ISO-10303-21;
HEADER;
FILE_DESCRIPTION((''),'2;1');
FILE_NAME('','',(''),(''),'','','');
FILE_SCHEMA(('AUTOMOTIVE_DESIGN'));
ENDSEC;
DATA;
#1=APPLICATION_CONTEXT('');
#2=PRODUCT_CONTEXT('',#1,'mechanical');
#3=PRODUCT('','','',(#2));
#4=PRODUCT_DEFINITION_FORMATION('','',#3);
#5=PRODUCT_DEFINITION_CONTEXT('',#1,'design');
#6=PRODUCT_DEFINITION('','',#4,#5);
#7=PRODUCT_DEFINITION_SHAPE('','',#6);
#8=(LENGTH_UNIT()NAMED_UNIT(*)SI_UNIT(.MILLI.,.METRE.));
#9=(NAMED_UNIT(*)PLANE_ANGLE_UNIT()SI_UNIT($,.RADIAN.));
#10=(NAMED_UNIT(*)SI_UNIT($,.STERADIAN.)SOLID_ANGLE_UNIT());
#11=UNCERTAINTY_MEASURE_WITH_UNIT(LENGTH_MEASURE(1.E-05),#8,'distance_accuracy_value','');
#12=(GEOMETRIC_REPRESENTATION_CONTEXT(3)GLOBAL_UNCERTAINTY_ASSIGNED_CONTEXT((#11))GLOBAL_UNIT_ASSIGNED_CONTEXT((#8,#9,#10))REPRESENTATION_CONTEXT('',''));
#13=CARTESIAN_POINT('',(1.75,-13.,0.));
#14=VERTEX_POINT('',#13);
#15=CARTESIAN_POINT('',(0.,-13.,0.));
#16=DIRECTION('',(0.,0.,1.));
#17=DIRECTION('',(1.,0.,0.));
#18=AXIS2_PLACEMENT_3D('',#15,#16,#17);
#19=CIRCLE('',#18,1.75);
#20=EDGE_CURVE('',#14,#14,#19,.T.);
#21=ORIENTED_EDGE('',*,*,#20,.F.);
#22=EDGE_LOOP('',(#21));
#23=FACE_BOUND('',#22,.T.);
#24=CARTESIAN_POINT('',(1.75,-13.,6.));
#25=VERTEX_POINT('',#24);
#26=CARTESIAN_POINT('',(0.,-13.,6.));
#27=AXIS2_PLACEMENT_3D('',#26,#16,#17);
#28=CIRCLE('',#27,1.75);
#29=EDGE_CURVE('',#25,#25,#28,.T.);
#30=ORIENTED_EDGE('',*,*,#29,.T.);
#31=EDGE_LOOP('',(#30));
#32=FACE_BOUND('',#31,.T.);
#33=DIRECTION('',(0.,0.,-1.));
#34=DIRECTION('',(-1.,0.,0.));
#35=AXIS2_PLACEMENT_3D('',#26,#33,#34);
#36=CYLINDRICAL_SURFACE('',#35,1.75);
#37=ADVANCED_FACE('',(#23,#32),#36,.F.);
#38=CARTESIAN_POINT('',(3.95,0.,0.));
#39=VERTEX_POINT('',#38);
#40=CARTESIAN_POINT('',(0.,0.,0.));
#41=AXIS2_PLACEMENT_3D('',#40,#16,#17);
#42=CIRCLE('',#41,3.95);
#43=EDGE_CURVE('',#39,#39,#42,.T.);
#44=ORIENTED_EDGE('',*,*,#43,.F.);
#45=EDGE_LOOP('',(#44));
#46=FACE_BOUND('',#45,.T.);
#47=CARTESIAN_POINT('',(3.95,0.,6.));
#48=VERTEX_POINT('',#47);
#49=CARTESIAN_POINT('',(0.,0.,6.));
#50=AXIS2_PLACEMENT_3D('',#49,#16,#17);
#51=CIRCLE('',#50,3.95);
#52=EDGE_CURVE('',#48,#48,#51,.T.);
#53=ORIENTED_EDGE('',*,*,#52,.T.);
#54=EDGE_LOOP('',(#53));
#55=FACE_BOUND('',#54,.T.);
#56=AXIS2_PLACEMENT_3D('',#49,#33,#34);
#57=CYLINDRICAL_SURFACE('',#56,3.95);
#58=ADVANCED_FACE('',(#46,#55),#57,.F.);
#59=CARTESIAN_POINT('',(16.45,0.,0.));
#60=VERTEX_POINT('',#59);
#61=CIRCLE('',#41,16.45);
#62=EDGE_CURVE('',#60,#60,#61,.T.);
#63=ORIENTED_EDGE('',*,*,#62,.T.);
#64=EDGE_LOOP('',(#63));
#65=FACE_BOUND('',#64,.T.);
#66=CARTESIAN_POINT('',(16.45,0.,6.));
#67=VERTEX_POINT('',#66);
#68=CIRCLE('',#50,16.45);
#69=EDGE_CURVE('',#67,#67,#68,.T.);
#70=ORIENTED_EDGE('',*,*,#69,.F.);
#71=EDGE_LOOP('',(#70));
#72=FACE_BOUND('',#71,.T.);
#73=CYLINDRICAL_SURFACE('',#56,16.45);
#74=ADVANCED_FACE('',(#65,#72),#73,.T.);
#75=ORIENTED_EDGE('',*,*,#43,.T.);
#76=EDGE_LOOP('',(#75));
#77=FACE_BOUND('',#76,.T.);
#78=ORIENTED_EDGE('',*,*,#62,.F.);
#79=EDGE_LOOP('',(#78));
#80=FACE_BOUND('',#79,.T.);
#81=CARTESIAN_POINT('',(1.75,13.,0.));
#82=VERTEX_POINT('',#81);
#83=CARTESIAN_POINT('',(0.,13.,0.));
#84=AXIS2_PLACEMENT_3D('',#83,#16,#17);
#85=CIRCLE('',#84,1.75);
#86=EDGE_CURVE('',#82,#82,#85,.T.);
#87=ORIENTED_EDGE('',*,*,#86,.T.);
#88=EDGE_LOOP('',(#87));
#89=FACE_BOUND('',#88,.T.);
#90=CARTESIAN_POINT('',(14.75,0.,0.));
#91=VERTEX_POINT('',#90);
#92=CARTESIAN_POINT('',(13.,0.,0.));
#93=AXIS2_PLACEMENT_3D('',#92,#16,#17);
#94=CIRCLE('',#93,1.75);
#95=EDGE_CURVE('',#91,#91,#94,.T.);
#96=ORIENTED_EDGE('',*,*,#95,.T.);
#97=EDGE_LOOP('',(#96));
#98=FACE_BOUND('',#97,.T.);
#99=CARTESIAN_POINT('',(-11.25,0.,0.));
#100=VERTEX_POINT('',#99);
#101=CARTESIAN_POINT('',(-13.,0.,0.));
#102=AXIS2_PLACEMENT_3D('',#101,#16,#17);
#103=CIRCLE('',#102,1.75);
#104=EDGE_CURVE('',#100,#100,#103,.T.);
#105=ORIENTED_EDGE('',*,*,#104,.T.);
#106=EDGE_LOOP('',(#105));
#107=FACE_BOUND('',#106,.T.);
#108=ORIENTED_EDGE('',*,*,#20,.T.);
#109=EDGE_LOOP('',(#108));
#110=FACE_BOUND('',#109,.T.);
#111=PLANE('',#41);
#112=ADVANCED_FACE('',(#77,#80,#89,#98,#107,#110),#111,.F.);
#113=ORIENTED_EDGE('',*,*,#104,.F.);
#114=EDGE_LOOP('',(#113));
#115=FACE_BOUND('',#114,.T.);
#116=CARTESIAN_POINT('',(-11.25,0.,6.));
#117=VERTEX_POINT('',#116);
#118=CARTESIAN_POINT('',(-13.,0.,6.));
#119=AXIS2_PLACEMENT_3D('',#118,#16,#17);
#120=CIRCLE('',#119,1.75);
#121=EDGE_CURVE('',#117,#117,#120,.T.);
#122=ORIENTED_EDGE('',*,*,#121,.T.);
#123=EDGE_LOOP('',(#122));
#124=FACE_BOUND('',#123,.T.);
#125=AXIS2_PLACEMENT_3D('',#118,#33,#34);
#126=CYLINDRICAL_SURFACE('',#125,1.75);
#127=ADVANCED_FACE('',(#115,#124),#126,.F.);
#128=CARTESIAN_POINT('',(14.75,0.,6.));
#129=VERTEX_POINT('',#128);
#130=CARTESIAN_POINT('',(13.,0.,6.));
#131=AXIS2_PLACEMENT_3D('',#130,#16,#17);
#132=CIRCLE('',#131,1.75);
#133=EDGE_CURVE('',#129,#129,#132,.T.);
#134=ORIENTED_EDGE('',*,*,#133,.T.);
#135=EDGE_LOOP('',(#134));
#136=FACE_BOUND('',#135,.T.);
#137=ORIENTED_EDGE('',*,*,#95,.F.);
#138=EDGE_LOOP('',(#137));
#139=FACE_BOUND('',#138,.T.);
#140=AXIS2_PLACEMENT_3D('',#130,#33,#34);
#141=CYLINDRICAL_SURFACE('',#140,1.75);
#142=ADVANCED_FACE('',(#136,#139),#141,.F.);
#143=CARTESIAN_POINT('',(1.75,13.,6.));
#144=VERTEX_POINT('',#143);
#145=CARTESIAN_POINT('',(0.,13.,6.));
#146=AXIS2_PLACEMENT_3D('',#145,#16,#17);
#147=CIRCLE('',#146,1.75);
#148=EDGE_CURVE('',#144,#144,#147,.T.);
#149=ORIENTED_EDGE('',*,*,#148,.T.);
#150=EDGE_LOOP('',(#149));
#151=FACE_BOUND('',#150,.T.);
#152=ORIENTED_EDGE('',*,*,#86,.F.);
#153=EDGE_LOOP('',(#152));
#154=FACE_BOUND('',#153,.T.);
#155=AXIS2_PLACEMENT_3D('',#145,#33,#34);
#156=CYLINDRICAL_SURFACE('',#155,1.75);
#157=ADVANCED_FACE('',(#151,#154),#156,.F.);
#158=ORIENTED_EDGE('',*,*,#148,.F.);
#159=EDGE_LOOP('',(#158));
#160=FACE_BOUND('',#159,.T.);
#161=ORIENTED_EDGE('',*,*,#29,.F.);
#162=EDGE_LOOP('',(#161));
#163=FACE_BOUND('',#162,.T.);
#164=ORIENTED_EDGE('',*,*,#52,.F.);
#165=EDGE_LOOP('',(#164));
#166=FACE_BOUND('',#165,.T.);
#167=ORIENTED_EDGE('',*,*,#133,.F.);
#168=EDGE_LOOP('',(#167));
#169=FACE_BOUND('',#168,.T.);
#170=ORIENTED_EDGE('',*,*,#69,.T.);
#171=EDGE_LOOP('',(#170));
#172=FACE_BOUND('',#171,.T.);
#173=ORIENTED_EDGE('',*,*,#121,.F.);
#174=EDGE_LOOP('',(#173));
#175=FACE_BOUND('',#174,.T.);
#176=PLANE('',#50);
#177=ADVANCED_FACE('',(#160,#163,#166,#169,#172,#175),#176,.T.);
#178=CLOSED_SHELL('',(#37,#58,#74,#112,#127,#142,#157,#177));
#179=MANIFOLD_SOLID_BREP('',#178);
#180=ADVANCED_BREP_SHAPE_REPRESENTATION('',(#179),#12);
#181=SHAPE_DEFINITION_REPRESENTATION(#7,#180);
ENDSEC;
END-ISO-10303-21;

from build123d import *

# Parameters (mm, degrees)
SKETCH1_R           = 16.4
SKETCH1_R_2         = 4
SKETCH1_R_3         = 1.8
BOSS_EXTRUDE1_DEPTH = 6
MOVE_FACE1_BY       = 0.05
MOVE_FACE1_2_BY     = 0.05
MOVE_FACE1_3_BY     = 0.05
MOVE_FACE1_4_BY     = 0.05
MOVE_FACE1_5_BY     = 0.05
MOVE_FACE1_6_BY     = 0.05


with BuildPart() as part:
    # Sketch1 → Boss-Extrude1 (new body)
    with BuildSketch(Plane.XY):
        Circle(SKETCH1_R)
        Circle(SKETCH1_R_2, mode=Mode.SUBTRACT)
        with Locations((0, 13)):
            Circle(SKETCH1_R_3, mode=Mode.SUBTRACT)
        with Locations((13, 0)):
            Circle(SKETCH1_R_3, mode=Mode.SUBTRACT)
        with Locations((0, -13)):
            Circle(SKETCH1_R_3, mode=Mode.SUBTRACT)
        with Locations((-13, 0)):
            Circle(SKETCH1_R_3, mode=Mode.SUBTRACT)
    extrude(amount=BOSS_EXTRUDE1_DEPTH)

    # Move Face1: a curved face moved outward by 0.05
    add(Solid.thicken(part.faces().sort_by_distance((-1.8, 13, 3))[0], MOVE_FACE1_BY))

    # Move Face1 2: a curved face moved outward by 0.05
    add(Solid.thicken(part.faces().sort_by_distance((-16.4, 0, 3))[0], MOVE_FACE1_2_BY))

    # Move Face1 3: a curved face moved outward by 0.05
    add(Solid.thicken(part.faces().sort_by_distance((-4, 0, 3))[0], MOVE_FACE1_3_BY))

    # Move Face1 4: a curved face moved outward by 0.05
    add(Solid.thicken(part.faces().sort_by_distance((11.2, 0, 3))[0], MOVE_FACE1_4_BY))

    # Move Face1 5: a curved face moved outward by 0.05
    add(Solid.thicken(part.faces().sort_by_distance((-1.8, -13, 3))[0], MOVE_FACE1_5_BY))

    # Move Face1 6: a curved face moved outward by 0.05
    add(Solid.thicken(part.faces().sort_by_distance((-14.8, 0, 3))[0], MOVE_FACE1_6_BY))


solid = part.part
